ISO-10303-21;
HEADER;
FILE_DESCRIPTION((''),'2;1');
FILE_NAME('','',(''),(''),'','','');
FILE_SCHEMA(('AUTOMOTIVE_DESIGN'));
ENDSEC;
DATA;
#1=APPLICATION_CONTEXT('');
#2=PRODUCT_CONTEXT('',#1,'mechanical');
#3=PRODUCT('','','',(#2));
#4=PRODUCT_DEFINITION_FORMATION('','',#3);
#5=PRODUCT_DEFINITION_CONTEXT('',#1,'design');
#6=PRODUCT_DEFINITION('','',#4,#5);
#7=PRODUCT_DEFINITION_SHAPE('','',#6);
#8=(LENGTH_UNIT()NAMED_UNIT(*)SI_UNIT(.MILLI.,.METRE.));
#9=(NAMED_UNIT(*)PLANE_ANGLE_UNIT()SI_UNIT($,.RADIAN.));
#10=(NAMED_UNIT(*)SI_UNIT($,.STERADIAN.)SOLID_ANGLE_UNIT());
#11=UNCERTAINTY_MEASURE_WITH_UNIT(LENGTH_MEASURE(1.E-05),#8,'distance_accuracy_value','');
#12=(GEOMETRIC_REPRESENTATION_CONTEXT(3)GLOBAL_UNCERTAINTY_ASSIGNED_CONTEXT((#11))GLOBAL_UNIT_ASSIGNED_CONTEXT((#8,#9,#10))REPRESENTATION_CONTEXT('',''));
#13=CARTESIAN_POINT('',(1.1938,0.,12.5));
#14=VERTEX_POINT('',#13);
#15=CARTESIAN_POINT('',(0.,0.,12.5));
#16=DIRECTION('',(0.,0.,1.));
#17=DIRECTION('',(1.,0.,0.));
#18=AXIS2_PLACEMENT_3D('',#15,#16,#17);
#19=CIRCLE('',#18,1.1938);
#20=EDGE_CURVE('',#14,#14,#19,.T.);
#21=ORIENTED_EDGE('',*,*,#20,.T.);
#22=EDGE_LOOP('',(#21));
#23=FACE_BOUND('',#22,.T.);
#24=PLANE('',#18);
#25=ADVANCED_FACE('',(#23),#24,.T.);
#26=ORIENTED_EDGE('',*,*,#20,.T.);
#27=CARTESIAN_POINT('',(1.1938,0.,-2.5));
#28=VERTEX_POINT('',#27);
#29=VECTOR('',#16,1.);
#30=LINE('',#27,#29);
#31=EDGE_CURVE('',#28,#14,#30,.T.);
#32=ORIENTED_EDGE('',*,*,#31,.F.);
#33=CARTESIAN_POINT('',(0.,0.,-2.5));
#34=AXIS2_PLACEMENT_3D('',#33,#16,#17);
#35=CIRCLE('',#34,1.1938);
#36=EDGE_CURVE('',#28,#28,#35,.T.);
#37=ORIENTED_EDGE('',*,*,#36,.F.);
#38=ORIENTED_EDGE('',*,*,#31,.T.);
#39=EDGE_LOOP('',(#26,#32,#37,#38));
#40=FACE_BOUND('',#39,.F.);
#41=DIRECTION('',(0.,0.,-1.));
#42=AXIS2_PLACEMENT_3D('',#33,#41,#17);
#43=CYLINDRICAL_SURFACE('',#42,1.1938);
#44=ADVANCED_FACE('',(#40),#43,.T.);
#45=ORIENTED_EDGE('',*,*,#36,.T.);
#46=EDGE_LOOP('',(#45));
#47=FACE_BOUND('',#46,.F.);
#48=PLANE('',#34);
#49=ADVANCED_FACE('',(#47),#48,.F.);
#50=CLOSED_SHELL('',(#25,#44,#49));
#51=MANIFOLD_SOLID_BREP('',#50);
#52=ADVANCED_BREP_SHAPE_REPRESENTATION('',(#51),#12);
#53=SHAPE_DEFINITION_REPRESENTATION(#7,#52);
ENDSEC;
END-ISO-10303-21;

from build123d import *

# Parameters (mm, degrees)
CYLINDER_R     = 1.1938
CYLINDER_DEPTH = 15


with BuildPart() as part:
    # Cylinder → Cylinder (new body)
    with BuildSketch(Plane.XY.offset(-2.5)):
        Circle(CYLINDER_R)
    extrude(amount=CYLINDER_DEPTH)


solid = part.part
